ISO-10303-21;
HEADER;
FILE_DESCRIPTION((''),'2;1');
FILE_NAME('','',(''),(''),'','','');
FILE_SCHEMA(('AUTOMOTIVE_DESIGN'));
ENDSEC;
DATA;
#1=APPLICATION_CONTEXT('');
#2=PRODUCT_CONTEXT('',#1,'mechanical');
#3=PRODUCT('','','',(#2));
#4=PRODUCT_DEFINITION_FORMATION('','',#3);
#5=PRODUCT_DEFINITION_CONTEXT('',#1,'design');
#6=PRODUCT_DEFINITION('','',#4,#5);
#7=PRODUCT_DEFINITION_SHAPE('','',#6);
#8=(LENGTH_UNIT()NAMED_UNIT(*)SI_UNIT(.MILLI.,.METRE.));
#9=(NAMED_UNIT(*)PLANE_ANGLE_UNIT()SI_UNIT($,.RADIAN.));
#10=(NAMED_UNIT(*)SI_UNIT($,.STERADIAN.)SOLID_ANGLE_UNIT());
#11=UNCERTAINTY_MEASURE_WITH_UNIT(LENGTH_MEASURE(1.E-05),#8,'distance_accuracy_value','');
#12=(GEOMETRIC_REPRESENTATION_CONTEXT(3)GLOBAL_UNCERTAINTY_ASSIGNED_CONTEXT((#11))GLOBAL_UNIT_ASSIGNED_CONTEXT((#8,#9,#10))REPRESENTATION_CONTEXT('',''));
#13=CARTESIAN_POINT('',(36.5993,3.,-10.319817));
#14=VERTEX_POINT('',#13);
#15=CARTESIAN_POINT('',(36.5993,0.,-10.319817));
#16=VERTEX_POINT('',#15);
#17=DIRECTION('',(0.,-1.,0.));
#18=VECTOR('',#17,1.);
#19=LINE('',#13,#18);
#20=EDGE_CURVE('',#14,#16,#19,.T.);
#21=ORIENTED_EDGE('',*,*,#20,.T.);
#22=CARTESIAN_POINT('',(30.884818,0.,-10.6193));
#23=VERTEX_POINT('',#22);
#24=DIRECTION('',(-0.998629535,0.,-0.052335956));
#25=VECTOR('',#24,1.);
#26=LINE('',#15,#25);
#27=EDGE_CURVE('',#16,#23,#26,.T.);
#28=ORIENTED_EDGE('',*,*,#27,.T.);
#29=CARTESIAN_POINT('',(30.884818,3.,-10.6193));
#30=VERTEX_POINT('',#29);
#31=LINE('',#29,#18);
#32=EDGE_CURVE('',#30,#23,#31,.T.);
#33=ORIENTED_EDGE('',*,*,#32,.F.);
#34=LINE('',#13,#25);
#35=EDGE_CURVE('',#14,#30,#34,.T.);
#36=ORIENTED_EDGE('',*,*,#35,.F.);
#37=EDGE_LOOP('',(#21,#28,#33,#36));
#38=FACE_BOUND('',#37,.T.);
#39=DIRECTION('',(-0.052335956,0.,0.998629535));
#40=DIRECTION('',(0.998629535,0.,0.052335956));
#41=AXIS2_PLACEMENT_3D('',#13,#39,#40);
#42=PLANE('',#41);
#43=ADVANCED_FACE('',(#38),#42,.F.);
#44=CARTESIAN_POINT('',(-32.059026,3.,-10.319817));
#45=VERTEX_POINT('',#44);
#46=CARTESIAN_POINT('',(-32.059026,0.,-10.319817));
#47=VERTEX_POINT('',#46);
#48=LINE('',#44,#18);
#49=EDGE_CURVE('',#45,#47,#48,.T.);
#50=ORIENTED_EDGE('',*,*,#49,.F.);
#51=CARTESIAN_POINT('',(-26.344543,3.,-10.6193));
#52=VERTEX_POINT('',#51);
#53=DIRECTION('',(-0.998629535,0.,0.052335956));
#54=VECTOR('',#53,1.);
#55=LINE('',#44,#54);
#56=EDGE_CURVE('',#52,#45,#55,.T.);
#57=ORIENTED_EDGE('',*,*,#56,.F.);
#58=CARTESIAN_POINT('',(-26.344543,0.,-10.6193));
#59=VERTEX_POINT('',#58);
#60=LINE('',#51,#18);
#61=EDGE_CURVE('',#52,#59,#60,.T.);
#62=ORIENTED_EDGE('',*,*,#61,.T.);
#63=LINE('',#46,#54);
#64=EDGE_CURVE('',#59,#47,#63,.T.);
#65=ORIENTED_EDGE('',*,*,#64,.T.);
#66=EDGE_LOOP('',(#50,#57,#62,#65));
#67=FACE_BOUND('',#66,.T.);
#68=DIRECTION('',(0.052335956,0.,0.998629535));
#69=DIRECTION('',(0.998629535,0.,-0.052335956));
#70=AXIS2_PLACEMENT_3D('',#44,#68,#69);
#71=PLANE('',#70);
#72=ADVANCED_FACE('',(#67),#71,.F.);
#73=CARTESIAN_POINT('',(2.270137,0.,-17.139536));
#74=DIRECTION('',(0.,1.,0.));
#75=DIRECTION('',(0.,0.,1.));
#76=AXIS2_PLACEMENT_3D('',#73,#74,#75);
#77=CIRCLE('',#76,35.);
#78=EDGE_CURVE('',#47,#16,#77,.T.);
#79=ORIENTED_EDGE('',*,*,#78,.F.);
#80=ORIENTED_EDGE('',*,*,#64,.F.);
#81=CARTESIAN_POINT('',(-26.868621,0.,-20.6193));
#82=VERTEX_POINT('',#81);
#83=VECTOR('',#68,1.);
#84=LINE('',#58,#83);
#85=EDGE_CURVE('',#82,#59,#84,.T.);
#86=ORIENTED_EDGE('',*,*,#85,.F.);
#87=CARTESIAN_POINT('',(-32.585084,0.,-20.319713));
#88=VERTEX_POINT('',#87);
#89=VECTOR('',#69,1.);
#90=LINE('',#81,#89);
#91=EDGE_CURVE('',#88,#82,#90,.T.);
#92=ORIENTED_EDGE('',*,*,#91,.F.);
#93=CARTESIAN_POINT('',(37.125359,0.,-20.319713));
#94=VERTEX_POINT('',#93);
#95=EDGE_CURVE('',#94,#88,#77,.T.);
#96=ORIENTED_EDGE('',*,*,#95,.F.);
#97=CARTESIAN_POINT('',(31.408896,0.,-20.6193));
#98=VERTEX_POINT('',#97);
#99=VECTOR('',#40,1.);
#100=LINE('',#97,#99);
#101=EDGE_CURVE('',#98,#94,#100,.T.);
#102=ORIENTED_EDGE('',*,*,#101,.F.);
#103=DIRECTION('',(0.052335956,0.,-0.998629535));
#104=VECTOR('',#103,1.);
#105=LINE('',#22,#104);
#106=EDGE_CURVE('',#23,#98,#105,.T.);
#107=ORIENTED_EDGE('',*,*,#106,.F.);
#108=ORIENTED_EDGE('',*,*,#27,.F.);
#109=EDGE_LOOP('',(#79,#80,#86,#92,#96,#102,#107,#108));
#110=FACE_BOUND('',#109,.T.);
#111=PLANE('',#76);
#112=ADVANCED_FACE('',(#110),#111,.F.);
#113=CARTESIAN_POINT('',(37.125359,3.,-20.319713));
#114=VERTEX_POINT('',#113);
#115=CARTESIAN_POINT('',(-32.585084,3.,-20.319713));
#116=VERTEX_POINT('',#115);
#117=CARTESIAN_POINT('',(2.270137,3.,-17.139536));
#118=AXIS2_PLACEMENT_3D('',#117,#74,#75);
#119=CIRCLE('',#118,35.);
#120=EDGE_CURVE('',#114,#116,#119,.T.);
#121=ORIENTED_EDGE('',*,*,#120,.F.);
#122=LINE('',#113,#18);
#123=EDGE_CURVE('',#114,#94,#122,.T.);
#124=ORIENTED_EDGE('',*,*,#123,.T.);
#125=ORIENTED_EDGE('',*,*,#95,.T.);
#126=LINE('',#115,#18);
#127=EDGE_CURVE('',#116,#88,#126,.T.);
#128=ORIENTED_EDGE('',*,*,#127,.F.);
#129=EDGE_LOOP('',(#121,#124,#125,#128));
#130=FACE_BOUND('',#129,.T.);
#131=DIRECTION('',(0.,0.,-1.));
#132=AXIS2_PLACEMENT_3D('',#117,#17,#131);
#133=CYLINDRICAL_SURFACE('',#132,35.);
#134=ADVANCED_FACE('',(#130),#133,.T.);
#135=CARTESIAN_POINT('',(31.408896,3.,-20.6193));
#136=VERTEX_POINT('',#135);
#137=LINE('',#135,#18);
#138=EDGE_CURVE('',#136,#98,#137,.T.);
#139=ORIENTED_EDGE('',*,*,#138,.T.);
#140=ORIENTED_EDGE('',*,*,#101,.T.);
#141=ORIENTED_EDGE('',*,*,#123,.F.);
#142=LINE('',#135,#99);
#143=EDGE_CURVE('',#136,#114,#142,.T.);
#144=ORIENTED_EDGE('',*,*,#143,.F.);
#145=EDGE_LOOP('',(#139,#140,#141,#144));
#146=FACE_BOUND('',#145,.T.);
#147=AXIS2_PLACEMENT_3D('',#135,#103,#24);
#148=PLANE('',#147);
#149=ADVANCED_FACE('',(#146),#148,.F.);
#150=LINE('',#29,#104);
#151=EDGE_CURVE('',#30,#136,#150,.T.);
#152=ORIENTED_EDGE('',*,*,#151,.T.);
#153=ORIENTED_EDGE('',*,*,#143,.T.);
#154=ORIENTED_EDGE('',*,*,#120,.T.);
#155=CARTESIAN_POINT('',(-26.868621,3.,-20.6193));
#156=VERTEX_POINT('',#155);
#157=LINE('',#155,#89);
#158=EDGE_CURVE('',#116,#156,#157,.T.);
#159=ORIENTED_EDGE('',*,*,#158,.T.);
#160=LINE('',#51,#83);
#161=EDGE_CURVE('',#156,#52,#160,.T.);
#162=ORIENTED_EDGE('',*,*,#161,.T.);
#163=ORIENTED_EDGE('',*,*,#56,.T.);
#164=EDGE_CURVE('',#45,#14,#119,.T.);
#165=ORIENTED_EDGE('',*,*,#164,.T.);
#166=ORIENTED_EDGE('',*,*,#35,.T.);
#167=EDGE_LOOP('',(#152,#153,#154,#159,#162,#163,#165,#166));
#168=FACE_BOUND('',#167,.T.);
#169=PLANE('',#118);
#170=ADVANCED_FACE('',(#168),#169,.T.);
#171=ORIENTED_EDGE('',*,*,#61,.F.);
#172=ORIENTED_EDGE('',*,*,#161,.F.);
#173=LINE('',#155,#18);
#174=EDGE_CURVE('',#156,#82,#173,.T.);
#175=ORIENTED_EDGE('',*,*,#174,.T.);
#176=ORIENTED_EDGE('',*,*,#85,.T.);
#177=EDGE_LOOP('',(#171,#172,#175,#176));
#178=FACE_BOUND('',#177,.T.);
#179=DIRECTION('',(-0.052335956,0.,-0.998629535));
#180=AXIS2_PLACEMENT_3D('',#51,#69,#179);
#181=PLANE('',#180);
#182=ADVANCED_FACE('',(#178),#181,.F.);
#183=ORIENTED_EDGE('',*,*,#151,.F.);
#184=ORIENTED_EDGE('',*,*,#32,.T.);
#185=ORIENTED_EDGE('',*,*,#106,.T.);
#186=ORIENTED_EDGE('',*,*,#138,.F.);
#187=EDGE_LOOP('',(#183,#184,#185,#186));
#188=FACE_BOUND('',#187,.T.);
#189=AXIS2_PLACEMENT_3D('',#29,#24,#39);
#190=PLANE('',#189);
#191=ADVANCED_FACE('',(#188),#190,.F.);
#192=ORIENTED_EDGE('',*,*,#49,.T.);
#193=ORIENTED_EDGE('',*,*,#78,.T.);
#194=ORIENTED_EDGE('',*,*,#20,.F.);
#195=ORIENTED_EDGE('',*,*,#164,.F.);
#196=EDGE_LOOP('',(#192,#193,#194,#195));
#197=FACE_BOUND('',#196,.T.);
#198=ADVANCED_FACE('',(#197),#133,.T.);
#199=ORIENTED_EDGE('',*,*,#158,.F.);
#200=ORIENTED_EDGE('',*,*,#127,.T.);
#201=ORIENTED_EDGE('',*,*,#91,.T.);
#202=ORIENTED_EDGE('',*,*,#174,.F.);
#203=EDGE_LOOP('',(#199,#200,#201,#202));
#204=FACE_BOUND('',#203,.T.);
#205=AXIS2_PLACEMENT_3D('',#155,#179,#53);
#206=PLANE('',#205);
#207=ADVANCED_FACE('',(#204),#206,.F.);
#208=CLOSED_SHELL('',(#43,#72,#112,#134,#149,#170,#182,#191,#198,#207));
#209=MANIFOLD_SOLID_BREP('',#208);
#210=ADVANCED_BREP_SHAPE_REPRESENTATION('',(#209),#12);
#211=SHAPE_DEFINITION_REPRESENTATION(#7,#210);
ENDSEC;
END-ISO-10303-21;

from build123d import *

# Parameters (mm, degrees)
EXTRUDE_1_DEPTH = 3


with BuildPart() as part:
    # Эскиз1 → Бобышка-Вытянуть1 (new body)
    with BuildSketch(Plane(origin=(0, 0, 0), x_dir=(1, 0, 0), z_dir=(0, 1, 0))):
        with BuildLine():
            Line((-32.059025738, 10.319816837), (-26.344543302, 10.619300172))
            Line((-26.344543302, 10.619300172), (-26.868621095, 20.619300172))
            Line((-26.868621095, 20.619300172), (-32.585084398, 20.319713025))
            ThreePointArc((-32.585084398, 20.319713025), (2.270137226, 52.139536056), (37.12535885, 20.319713025))
            Line((37.12535885, 20.319713025), (31.408895547, 20.619300172))
            Line((31.408895547, 20.619300172), (30.884817754, 10.619300172))
            Line((30.884817754, 10.619300172), (36.59930019, 10.319816837))
            ThreePointArc((36.59930019, 10.319816837), (2.270137226, -17.860463944), (-32.059025738, 10.319816837))
        make_face()
    extrude(amount=EXTRUDE_1_DEPTH)


solid = part.part
